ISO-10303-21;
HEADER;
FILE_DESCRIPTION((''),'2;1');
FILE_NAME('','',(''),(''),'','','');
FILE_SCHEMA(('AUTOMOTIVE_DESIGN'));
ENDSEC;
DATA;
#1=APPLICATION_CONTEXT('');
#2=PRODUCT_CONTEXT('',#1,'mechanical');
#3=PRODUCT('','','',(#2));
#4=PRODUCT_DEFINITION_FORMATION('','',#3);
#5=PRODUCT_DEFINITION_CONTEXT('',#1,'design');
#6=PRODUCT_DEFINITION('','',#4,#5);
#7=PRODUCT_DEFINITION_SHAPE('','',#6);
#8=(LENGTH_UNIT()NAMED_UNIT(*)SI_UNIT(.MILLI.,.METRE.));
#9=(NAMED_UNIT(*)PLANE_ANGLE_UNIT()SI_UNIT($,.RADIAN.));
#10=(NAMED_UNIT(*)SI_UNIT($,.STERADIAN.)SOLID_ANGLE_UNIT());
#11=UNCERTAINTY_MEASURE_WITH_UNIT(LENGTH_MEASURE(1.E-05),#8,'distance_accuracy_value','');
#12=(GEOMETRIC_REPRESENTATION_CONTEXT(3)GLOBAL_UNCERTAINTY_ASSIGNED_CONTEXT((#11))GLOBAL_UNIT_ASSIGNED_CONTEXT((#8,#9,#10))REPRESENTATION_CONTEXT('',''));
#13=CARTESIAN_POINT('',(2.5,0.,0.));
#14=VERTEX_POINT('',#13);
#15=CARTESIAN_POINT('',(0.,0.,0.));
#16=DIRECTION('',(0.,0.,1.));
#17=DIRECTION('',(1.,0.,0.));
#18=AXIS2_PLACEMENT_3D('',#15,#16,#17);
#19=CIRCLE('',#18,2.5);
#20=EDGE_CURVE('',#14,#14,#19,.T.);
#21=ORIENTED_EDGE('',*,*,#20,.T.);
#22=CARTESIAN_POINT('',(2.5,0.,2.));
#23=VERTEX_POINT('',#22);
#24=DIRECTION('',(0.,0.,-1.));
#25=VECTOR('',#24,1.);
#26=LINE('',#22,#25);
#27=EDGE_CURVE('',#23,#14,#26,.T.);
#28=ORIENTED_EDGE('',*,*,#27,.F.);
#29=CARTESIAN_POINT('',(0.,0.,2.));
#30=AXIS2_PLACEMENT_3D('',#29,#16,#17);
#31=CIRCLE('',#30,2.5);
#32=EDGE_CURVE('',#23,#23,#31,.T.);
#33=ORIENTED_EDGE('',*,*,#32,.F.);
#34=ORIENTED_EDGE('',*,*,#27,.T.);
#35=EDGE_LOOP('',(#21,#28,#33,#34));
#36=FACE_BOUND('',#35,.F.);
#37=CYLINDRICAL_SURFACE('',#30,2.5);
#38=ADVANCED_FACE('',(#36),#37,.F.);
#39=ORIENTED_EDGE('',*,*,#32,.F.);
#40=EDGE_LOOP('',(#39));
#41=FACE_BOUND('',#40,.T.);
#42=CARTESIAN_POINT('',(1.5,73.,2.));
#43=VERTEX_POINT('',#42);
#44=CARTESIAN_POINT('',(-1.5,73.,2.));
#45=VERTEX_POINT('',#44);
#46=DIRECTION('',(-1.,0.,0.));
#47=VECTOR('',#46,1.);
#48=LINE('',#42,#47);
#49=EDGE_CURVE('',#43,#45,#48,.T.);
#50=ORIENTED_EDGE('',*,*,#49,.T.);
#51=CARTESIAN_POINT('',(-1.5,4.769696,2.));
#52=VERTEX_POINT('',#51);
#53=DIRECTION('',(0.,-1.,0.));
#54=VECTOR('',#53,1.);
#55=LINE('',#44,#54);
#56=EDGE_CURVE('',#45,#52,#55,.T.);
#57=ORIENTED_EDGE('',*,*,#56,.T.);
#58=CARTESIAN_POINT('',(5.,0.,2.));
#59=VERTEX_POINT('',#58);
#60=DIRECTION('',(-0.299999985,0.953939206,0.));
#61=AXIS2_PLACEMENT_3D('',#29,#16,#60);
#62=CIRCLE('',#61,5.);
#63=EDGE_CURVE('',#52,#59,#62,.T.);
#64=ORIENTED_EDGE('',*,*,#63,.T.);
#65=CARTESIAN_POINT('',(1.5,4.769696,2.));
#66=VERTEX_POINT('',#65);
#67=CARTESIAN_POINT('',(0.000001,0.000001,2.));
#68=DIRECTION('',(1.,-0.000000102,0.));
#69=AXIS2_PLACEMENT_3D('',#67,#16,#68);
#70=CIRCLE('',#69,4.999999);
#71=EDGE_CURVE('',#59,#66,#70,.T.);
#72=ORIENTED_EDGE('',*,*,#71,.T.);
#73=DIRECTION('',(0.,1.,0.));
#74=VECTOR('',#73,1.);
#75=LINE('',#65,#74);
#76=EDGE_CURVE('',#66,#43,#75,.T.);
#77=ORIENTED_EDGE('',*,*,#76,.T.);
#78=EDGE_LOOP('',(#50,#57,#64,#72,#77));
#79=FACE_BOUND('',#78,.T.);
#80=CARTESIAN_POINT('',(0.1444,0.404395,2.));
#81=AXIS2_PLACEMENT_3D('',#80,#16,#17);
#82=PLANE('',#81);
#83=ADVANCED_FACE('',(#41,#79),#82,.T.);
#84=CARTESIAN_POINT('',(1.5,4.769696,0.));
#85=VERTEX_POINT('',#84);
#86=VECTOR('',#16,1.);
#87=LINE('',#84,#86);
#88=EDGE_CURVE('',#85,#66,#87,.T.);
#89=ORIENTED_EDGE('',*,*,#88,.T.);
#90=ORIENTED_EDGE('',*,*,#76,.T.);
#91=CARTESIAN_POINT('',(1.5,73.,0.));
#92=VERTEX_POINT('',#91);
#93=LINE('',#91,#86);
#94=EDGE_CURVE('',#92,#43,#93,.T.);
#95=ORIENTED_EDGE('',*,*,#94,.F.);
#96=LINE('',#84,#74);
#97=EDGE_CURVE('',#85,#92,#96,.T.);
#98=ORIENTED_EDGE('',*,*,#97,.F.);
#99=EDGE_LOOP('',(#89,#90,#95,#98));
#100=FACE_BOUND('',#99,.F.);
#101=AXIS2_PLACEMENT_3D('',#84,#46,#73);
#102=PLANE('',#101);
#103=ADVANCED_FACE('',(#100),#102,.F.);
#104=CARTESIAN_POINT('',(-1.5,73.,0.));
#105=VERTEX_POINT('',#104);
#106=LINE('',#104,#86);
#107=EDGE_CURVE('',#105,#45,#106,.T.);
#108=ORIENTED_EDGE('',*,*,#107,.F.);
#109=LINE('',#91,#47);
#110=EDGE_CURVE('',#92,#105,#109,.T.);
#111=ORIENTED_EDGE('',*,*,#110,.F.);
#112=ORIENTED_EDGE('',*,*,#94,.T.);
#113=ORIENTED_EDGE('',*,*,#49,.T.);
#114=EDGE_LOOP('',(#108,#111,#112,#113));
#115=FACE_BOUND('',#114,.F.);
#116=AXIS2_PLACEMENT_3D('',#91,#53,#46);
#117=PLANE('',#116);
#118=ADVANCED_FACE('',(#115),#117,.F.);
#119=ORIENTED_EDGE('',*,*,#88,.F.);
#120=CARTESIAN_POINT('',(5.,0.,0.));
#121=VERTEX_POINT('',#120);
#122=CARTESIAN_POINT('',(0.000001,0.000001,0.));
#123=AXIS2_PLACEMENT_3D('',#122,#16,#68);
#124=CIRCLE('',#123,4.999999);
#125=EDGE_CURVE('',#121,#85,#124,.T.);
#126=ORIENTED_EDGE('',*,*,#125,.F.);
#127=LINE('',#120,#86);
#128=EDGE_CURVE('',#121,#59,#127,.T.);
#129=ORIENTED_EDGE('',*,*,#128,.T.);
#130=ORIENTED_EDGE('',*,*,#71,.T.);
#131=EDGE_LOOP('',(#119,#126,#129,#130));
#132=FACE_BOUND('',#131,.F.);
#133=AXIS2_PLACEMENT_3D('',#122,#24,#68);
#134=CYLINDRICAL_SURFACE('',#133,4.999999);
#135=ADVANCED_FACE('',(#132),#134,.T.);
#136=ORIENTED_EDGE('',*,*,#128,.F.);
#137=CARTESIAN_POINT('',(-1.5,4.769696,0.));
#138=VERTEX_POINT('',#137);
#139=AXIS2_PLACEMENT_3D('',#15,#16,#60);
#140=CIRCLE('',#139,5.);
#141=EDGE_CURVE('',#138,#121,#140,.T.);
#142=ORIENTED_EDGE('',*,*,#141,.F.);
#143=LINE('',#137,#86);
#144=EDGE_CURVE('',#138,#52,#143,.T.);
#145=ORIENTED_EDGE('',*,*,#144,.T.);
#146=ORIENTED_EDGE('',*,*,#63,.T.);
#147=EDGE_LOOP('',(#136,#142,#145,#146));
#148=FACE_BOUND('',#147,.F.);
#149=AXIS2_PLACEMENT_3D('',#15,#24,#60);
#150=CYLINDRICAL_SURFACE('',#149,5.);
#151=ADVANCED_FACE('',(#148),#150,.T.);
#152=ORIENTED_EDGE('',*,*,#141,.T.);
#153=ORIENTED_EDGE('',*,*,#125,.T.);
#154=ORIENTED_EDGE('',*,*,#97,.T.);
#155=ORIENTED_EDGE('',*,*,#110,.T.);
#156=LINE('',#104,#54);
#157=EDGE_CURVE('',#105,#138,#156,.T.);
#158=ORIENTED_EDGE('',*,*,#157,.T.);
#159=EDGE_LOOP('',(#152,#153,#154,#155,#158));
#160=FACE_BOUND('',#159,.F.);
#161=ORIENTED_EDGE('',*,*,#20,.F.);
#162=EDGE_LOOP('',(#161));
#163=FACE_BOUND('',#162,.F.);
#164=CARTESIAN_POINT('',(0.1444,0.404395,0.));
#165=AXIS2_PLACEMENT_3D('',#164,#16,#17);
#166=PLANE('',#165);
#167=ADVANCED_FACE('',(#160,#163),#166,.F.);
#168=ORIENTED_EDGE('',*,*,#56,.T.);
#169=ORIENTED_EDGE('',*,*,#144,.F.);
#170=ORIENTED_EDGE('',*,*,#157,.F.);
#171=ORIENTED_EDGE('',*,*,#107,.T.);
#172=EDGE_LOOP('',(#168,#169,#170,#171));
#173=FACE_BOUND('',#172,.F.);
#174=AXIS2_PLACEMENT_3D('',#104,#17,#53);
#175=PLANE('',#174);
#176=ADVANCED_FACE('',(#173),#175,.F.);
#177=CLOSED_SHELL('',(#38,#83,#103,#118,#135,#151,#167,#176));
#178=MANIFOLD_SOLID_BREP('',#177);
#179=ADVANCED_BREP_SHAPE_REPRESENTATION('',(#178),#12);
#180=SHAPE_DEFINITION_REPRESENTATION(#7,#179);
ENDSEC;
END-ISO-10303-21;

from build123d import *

# Parameters (mm, degrees)
F1_DEPTH = 2
F2_R     = 2.5
F3_DEPTH = 2.001


with BuildPart() as f1:
    # F0 (on Top) → F1 (new body)
    with BuildSketch(Plane.XY):
        with BuildLine():
            ThreePointArc((-1.5, 4.769696), (-2.95804, -4.031129), (5, 0))
            ThreePointArc((5, 0), (4.031129, 2.95804), (1.5, 4.769696))
            Line((1.5, 4.769696), (1.5, 0))
            Line((1.5, 0), (-1.5, 0))
            Line((-1.5, 0), (-1.5, 4.769696))
        make_face()
        with BuildLine():
            Line((1.5, 0), (1.5, 4.769696))
            ThreePointArc((1.5, 4.769696), (0, 5), (-1.5, 4.769696))
            Line((-1.5, 4.769696), (-1.5, 0))
            Line((-1.5, 0), (1.5, 0))
        make_face()
        with BuildLine():
            ThreePointArc((-1.5, 4.769696), (0, 5), (1.5, 4.769696))
            Line((1.5, 4.769696), (1.5, 73))
            Line((1.5, 73), (-1.5, 73))
            Line((-1.5, 73), (-1.5, 4.769696))
        make_face()
    extrude(amount=F1_DEPTH)

    # F2 (on face) → F3 (cut, through all)
    with BuildSketch(Plane.XY.offset(2)):
        Circle(F2_R)
    extrude(amount=-F3_DEPTH, mode=Mode.SUBTRACT)


solid = f1.part
